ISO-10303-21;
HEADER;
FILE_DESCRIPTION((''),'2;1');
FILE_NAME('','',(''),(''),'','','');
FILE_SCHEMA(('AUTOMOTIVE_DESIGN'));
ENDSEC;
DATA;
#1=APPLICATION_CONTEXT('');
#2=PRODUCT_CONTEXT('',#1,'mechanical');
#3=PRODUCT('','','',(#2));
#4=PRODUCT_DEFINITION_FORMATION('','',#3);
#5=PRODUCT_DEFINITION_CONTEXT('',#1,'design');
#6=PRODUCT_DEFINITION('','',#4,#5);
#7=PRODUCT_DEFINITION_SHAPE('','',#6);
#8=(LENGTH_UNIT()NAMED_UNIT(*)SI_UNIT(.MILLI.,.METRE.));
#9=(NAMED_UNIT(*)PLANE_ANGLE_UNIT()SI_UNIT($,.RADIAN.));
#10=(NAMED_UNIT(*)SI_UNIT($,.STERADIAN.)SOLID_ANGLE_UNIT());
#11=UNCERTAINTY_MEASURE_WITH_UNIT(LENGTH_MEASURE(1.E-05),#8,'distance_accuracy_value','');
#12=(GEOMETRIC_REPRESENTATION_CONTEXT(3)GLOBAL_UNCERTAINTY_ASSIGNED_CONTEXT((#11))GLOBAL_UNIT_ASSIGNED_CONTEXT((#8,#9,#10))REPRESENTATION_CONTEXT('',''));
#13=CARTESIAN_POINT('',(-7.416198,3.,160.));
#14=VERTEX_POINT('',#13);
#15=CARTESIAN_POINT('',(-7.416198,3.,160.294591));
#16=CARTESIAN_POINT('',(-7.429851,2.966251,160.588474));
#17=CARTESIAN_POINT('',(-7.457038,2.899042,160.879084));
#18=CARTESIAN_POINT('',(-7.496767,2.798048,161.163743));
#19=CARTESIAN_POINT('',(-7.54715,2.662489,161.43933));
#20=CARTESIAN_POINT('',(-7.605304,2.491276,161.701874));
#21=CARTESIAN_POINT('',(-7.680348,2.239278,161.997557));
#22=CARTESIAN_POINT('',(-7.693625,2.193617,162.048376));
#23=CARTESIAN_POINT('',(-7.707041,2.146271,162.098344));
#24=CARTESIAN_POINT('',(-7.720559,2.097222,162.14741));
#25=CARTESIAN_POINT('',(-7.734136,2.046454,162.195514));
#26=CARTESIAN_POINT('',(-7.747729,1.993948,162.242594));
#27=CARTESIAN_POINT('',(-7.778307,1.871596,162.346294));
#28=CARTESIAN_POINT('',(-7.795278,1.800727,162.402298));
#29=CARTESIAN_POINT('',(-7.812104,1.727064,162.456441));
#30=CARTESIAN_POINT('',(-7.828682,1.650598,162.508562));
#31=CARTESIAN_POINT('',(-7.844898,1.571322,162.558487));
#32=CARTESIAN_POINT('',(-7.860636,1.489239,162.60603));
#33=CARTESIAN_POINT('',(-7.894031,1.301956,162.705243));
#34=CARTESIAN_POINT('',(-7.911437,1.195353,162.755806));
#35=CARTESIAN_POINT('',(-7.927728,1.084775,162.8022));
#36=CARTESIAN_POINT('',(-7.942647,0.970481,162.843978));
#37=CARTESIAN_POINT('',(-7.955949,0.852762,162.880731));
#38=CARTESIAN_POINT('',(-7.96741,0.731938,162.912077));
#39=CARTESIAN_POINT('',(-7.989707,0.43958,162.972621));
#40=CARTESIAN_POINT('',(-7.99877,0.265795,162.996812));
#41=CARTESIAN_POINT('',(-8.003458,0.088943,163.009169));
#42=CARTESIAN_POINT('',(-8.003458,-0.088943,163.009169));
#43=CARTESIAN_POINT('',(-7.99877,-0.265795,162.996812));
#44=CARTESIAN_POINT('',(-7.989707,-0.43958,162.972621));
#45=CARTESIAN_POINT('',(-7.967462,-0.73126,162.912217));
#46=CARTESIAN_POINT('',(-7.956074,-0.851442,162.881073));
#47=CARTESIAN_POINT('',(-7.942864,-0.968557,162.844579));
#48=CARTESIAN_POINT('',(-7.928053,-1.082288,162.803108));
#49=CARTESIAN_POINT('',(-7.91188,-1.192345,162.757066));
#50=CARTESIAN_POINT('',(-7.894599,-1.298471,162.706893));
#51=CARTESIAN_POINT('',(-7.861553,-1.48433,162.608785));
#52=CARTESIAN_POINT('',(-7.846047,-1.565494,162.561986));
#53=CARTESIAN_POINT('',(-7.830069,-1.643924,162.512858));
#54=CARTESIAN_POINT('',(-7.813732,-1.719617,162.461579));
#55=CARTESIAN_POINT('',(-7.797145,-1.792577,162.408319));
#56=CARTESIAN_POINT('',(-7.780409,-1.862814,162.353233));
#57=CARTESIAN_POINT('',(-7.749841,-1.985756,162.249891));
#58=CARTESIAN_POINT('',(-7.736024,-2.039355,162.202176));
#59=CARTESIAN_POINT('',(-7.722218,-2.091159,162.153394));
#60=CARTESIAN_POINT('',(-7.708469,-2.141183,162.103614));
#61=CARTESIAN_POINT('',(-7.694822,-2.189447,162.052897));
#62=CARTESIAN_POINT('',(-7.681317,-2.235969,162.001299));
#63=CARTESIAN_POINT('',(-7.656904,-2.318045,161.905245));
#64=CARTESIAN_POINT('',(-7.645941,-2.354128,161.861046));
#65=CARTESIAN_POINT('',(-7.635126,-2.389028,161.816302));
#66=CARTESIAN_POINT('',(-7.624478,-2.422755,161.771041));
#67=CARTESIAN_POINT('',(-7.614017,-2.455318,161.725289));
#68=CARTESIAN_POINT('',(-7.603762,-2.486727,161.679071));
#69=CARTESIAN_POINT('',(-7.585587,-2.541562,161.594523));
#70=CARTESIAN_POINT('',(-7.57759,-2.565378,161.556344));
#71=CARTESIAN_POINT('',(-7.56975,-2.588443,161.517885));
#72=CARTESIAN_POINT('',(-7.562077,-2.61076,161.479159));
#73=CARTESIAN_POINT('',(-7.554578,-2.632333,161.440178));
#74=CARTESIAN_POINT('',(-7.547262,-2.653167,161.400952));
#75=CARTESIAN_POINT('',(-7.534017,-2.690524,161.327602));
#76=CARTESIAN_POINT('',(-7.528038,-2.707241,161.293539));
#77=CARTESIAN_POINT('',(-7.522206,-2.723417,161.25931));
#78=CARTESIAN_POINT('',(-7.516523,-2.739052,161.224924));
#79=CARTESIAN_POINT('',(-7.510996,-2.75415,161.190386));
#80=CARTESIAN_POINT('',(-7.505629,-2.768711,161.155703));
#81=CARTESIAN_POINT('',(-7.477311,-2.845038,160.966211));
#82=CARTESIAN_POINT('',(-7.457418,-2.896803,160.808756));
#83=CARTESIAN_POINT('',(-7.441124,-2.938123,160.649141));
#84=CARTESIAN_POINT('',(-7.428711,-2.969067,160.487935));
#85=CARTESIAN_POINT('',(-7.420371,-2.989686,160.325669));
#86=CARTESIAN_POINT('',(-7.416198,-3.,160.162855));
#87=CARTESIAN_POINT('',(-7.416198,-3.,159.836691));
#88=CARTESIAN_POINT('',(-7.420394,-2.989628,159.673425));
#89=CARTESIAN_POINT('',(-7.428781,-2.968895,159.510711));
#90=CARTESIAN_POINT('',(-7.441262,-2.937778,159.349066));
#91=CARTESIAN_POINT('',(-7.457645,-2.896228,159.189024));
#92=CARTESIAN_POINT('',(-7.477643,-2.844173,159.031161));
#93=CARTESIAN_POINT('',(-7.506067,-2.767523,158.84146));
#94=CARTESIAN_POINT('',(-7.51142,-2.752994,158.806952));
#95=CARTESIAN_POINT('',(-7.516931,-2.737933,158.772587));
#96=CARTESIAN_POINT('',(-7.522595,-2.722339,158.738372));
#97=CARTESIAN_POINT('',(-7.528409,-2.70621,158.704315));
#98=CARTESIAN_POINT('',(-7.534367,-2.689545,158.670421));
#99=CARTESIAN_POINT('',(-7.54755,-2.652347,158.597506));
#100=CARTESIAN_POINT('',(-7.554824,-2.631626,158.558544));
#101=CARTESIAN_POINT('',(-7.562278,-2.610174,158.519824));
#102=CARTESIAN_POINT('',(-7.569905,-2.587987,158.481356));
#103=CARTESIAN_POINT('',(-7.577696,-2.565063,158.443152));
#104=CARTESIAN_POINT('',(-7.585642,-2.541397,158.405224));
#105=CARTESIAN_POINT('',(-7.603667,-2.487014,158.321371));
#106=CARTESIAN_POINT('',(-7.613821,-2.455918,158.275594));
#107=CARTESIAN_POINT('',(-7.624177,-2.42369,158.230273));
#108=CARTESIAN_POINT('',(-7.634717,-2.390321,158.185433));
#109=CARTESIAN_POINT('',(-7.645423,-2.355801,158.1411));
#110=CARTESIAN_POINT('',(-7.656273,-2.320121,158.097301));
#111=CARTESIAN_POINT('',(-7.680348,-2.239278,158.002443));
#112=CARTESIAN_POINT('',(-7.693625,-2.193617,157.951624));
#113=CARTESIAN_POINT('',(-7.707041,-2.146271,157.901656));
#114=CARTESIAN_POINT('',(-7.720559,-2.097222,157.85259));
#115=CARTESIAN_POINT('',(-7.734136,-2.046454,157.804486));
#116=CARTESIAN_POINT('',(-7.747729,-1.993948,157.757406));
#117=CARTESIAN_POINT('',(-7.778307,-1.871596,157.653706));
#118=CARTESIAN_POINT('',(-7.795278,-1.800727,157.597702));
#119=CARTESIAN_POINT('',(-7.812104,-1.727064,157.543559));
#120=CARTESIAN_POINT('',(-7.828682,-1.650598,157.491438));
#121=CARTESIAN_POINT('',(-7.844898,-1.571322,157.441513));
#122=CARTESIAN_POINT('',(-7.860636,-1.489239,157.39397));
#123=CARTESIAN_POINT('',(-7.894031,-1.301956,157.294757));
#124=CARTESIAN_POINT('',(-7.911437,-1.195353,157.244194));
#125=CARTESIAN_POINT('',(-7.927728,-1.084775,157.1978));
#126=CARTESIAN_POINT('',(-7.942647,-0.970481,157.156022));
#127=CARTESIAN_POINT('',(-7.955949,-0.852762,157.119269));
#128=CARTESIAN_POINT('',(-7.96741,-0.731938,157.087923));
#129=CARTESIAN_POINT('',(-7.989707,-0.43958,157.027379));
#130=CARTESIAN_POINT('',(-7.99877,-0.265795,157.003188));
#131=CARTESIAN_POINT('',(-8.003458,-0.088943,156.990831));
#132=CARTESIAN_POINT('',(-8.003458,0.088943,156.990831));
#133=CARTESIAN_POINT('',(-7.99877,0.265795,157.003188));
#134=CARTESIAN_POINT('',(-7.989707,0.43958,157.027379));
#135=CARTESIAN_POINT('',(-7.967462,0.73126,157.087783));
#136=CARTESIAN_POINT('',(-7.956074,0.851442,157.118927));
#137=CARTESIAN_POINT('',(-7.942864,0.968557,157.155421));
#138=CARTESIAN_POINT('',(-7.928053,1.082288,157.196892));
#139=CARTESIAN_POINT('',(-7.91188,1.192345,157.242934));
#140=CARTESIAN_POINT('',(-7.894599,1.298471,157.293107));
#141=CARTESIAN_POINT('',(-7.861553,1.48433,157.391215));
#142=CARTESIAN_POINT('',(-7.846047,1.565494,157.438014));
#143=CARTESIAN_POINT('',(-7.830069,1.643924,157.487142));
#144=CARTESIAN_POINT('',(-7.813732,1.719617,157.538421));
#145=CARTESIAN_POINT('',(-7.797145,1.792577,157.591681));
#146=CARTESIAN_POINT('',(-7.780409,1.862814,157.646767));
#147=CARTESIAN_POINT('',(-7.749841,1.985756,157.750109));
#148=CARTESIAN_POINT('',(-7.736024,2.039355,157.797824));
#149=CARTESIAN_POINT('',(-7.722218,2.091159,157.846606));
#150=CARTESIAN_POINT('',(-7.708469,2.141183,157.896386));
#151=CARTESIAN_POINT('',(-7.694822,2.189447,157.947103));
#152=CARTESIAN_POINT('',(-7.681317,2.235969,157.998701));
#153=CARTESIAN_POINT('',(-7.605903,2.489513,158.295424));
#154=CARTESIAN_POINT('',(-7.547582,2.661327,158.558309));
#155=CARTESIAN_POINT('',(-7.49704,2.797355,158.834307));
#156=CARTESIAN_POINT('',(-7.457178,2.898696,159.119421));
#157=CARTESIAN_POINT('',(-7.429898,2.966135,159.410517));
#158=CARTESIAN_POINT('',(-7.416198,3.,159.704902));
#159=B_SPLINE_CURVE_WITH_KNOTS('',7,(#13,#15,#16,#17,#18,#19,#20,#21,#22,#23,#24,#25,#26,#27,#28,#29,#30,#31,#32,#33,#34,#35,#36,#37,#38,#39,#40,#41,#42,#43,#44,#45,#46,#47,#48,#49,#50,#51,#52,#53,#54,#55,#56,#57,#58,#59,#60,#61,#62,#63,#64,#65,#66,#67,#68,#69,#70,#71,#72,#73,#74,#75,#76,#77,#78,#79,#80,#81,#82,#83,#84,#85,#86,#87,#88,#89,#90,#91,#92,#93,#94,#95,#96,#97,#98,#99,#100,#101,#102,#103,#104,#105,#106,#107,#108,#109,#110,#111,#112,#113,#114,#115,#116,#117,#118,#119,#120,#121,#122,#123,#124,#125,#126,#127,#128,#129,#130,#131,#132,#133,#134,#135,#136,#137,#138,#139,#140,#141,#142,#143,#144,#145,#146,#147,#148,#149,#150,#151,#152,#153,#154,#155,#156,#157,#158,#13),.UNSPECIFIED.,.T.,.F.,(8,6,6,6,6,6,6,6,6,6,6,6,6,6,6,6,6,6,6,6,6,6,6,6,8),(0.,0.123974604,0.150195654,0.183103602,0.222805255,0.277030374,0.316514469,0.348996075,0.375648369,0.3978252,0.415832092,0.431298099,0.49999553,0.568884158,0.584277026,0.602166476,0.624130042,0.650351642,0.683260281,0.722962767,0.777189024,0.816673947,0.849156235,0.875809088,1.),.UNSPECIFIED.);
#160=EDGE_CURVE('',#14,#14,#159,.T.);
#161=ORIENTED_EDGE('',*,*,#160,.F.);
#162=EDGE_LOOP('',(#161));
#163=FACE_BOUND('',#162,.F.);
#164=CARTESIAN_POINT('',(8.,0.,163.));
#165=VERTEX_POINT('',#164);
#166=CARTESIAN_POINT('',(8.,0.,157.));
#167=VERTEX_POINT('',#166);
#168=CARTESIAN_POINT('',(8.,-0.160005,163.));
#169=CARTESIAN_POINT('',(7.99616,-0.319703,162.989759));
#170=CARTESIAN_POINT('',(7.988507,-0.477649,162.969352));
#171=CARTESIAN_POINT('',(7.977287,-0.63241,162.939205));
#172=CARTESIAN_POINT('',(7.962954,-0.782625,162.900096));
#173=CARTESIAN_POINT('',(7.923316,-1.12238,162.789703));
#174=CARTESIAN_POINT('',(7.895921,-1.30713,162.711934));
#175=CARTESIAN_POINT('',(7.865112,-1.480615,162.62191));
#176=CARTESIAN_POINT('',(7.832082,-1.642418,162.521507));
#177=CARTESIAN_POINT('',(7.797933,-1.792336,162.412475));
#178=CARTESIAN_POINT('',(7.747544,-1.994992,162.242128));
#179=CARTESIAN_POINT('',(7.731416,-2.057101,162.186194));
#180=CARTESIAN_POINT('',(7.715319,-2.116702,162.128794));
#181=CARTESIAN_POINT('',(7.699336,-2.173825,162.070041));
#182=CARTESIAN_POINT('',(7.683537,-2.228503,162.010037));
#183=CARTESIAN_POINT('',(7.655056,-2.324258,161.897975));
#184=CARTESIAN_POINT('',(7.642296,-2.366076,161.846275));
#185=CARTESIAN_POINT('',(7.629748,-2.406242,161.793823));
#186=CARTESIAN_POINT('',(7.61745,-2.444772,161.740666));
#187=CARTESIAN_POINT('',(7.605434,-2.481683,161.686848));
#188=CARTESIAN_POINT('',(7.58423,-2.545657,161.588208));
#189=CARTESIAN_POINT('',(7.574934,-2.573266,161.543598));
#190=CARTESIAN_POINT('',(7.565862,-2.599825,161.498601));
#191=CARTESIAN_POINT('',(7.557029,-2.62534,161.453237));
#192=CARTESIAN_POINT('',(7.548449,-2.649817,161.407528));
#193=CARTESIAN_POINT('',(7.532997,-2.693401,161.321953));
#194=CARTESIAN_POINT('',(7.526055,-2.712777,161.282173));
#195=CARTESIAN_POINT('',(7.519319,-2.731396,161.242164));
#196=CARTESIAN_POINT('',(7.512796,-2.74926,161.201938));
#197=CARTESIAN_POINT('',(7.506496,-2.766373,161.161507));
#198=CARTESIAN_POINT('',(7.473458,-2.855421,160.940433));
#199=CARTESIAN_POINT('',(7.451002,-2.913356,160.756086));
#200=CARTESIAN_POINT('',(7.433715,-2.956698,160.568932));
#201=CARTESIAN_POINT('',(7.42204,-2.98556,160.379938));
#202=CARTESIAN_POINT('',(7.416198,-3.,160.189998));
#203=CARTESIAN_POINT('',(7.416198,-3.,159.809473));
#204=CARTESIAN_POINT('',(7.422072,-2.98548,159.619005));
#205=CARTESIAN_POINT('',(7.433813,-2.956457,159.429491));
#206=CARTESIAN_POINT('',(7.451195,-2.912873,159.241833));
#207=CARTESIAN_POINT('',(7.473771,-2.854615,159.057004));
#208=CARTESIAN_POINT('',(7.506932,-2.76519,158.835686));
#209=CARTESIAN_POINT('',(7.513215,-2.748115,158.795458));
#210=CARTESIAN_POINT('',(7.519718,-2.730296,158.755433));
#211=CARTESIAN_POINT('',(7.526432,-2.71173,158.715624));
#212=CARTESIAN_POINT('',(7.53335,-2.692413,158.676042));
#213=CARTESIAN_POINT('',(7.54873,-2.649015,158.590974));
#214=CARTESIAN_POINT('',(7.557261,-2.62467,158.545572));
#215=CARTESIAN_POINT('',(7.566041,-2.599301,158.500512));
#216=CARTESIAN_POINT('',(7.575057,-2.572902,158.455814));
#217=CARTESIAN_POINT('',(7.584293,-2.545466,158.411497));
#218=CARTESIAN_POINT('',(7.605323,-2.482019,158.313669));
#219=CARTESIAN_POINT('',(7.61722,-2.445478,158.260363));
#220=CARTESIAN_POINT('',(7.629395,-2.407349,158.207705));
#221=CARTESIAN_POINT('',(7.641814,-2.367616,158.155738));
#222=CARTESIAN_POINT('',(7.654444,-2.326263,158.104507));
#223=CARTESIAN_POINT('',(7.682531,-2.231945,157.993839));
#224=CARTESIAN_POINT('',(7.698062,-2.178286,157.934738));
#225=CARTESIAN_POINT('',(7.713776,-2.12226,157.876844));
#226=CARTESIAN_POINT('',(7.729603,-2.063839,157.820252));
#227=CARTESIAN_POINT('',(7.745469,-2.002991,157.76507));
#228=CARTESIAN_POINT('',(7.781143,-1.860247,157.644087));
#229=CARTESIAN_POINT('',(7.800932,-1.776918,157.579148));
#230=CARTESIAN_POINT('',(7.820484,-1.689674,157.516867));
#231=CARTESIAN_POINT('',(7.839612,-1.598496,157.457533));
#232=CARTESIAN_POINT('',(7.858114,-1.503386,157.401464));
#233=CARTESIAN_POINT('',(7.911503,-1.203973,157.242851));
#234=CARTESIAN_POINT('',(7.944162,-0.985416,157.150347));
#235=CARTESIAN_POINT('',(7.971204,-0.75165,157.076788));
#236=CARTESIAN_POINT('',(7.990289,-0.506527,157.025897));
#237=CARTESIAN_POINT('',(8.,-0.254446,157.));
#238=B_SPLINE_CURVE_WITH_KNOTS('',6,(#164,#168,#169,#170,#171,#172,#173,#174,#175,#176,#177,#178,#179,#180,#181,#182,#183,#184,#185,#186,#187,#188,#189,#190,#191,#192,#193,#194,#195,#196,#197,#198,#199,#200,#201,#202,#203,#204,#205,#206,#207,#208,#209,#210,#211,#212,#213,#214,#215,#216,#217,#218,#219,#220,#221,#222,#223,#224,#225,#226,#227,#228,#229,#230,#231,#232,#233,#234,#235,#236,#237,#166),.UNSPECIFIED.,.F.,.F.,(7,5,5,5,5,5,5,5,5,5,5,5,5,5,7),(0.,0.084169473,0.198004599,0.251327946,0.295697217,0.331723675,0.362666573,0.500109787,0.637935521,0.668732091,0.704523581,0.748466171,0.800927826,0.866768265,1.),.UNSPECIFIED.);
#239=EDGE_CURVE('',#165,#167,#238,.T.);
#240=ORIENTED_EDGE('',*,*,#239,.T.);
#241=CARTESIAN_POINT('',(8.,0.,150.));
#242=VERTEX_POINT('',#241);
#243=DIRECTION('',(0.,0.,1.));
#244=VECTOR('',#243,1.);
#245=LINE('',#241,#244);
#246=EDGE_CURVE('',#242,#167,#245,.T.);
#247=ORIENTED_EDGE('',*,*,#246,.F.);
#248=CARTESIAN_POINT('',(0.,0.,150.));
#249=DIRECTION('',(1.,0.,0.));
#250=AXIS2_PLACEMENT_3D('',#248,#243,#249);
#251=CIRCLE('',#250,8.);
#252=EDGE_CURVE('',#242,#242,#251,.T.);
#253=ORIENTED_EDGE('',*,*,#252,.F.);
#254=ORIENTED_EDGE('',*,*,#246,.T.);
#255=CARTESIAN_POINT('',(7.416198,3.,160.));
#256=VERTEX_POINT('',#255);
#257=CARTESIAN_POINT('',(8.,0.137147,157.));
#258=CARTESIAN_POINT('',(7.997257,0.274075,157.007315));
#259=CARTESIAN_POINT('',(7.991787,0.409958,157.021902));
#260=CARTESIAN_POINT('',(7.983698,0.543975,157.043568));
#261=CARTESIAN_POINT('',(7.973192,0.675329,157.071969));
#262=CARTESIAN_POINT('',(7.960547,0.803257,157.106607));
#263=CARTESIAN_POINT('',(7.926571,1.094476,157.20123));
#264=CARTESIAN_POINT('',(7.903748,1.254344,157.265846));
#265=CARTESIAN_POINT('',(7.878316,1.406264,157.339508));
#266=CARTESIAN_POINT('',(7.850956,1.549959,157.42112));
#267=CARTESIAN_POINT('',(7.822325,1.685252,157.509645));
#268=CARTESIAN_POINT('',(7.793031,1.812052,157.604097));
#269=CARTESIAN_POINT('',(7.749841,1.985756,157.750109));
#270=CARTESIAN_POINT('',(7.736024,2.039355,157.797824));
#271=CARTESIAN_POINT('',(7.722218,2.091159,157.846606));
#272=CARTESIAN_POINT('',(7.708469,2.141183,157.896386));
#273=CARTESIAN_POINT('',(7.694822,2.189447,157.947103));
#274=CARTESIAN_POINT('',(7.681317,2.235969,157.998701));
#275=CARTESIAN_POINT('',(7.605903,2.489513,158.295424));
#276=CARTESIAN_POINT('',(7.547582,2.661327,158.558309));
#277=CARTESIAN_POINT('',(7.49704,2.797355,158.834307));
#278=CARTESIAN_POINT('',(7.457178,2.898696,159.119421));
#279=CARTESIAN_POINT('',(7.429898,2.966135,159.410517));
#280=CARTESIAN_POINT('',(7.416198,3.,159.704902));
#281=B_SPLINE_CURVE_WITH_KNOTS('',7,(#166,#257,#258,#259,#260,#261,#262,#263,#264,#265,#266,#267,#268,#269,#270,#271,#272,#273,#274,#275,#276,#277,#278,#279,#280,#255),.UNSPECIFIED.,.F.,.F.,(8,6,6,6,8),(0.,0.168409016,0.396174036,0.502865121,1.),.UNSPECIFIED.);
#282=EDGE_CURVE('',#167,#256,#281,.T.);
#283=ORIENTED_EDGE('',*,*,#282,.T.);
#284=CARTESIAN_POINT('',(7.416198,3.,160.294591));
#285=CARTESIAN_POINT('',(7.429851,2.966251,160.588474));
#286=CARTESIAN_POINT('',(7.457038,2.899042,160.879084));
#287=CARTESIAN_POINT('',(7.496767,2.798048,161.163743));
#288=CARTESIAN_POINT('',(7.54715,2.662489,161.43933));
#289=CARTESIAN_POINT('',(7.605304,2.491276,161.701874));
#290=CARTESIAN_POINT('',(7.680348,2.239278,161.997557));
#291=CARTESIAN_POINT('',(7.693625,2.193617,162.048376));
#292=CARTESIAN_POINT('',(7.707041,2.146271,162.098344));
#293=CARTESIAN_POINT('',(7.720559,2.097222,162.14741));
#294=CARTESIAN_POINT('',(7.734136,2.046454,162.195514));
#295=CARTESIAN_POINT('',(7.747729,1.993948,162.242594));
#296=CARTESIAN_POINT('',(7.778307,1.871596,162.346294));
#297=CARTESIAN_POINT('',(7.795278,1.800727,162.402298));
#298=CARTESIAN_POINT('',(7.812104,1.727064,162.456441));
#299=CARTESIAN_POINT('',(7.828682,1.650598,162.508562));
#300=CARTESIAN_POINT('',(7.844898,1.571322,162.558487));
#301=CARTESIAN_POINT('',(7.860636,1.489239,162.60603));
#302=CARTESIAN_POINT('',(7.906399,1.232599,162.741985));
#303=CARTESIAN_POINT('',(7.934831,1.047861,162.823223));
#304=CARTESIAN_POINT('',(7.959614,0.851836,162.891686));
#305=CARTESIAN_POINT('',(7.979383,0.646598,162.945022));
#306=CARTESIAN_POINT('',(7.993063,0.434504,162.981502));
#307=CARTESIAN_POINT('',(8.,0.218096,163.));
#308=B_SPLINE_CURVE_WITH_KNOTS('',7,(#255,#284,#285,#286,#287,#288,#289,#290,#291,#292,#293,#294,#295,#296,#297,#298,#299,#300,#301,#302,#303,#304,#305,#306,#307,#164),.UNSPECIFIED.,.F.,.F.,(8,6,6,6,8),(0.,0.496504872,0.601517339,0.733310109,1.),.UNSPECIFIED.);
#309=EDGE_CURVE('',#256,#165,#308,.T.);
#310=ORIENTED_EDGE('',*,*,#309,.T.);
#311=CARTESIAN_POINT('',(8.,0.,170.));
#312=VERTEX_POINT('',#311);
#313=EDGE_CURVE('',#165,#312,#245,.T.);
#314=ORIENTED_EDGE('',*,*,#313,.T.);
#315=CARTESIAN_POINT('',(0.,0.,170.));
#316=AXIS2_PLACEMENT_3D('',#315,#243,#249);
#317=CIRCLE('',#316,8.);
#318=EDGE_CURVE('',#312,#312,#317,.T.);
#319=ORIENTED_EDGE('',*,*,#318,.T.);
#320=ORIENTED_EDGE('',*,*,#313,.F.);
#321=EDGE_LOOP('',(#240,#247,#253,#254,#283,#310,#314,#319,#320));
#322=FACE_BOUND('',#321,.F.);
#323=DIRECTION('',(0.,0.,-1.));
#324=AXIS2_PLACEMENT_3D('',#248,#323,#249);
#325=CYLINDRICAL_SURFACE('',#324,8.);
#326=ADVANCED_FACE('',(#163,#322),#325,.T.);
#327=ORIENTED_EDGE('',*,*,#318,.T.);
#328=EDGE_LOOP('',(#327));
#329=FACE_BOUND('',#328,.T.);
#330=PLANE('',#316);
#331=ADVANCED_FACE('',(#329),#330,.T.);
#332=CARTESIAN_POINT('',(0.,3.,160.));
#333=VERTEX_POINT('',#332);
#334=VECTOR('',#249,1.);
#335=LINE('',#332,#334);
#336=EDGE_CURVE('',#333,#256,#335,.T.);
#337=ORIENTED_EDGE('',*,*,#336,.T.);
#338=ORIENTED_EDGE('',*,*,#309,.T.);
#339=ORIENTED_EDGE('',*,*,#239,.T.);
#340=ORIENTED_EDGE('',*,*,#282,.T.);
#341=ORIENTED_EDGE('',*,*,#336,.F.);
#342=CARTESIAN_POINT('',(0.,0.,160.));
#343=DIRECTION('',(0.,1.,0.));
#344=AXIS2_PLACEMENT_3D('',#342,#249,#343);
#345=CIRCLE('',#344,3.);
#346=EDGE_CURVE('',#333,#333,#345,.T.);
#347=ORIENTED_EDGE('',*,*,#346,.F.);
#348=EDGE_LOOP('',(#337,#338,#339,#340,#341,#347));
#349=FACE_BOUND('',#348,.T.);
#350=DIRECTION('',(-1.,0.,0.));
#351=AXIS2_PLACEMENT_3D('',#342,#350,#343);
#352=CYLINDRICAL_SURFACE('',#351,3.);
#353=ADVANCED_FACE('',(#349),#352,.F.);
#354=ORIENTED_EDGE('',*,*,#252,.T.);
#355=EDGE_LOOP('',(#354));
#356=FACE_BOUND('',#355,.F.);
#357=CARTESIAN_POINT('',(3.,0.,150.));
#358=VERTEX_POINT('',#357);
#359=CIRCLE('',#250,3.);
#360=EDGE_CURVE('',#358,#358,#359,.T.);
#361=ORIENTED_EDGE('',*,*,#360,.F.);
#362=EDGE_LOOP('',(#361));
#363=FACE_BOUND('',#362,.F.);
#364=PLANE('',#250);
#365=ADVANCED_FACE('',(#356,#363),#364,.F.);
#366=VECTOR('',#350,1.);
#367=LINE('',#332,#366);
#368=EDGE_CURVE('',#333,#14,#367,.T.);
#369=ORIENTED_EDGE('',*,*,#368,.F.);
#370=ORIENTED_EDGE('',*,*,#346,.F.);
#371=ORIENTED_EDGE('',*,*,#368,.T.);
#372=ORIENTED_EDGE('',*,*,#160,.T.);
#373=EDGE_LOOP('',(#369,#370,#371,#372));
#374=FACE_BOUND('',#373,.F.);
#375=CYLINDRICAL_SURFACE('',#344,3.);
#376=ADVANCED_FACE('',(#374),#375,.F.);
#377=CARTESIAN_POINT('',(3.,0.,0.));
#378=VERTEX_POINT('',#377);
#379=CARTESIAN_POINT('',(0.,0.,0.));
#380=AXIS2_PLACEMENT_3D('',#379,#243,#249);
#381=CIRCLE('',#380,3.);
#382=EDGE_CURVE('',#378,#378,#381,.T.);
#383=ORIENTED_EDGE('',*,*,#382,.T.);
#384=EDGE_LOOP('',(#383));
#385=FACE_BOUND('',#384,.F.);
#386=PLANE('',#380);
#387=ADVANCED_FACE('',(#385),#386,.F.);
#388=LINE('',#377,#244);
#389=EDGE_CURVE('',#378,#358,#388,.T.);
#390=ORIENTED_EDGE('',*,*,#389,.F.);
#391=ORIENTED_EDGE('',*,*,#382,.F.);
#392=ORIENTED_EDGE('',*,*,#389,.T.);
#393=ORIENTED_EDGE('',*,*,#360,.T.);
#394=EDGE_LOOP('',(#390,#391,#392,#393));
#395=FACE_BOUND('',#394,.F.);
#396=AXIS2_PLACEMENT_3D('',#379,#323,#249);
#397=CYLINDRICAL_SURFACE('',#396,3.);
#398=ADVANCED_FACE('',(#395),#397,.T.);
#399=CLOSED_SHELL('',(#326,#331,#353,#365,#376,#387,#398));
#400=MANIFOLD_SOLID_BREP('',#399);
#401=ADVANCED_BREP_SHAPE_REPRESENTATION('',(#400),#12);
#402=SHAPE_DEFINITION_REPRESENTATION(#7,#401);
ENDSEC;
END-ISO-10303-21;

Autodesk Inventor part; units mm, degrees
ref_plane "YZ Plane" through (0, 0, 0) normal (1, 0, 0) x (0, 1, 0)
ref_plane "XZ Plane" through (0, 0, 0) normal (0, 1, 0) x (-1, 0, 0)
ref_plane "XY Plane" through (0, 0, 0) normal (0, 0, 1) x (1, 0, 0)
sketch "Sketch1" plane through (0, 0, 0) normal (0, 0, 1) x (1, 0, 0)
  circle A0 centre (0, 0) radius 3
  dimension "d0" = 6
extrude "Extrusion1" add sketch "Sketch1" along normal blind 150
sketch "Sketch2" plane through (0, 0, 150) normal (0, 0, 1) x (1, 0, 0)
  circle A0 centre (0, 0) radius 8
  dimension "d3" = 16
extrude "Extrusion2" add sketch "Sketch2" along normal blind 20
sketch "Sketch3" plane through (0, 0, 0) normal (1, 0, 0) x (0, 1, 0)
  circle A0 centre (0, 160) radius 3
  point P0 (0, 0)
  dimension "d6" = 6
extrude "Extrusion3" cut sketch "Sketch3" along normal mid plane 20
properties part number "ana_vida_mili"
